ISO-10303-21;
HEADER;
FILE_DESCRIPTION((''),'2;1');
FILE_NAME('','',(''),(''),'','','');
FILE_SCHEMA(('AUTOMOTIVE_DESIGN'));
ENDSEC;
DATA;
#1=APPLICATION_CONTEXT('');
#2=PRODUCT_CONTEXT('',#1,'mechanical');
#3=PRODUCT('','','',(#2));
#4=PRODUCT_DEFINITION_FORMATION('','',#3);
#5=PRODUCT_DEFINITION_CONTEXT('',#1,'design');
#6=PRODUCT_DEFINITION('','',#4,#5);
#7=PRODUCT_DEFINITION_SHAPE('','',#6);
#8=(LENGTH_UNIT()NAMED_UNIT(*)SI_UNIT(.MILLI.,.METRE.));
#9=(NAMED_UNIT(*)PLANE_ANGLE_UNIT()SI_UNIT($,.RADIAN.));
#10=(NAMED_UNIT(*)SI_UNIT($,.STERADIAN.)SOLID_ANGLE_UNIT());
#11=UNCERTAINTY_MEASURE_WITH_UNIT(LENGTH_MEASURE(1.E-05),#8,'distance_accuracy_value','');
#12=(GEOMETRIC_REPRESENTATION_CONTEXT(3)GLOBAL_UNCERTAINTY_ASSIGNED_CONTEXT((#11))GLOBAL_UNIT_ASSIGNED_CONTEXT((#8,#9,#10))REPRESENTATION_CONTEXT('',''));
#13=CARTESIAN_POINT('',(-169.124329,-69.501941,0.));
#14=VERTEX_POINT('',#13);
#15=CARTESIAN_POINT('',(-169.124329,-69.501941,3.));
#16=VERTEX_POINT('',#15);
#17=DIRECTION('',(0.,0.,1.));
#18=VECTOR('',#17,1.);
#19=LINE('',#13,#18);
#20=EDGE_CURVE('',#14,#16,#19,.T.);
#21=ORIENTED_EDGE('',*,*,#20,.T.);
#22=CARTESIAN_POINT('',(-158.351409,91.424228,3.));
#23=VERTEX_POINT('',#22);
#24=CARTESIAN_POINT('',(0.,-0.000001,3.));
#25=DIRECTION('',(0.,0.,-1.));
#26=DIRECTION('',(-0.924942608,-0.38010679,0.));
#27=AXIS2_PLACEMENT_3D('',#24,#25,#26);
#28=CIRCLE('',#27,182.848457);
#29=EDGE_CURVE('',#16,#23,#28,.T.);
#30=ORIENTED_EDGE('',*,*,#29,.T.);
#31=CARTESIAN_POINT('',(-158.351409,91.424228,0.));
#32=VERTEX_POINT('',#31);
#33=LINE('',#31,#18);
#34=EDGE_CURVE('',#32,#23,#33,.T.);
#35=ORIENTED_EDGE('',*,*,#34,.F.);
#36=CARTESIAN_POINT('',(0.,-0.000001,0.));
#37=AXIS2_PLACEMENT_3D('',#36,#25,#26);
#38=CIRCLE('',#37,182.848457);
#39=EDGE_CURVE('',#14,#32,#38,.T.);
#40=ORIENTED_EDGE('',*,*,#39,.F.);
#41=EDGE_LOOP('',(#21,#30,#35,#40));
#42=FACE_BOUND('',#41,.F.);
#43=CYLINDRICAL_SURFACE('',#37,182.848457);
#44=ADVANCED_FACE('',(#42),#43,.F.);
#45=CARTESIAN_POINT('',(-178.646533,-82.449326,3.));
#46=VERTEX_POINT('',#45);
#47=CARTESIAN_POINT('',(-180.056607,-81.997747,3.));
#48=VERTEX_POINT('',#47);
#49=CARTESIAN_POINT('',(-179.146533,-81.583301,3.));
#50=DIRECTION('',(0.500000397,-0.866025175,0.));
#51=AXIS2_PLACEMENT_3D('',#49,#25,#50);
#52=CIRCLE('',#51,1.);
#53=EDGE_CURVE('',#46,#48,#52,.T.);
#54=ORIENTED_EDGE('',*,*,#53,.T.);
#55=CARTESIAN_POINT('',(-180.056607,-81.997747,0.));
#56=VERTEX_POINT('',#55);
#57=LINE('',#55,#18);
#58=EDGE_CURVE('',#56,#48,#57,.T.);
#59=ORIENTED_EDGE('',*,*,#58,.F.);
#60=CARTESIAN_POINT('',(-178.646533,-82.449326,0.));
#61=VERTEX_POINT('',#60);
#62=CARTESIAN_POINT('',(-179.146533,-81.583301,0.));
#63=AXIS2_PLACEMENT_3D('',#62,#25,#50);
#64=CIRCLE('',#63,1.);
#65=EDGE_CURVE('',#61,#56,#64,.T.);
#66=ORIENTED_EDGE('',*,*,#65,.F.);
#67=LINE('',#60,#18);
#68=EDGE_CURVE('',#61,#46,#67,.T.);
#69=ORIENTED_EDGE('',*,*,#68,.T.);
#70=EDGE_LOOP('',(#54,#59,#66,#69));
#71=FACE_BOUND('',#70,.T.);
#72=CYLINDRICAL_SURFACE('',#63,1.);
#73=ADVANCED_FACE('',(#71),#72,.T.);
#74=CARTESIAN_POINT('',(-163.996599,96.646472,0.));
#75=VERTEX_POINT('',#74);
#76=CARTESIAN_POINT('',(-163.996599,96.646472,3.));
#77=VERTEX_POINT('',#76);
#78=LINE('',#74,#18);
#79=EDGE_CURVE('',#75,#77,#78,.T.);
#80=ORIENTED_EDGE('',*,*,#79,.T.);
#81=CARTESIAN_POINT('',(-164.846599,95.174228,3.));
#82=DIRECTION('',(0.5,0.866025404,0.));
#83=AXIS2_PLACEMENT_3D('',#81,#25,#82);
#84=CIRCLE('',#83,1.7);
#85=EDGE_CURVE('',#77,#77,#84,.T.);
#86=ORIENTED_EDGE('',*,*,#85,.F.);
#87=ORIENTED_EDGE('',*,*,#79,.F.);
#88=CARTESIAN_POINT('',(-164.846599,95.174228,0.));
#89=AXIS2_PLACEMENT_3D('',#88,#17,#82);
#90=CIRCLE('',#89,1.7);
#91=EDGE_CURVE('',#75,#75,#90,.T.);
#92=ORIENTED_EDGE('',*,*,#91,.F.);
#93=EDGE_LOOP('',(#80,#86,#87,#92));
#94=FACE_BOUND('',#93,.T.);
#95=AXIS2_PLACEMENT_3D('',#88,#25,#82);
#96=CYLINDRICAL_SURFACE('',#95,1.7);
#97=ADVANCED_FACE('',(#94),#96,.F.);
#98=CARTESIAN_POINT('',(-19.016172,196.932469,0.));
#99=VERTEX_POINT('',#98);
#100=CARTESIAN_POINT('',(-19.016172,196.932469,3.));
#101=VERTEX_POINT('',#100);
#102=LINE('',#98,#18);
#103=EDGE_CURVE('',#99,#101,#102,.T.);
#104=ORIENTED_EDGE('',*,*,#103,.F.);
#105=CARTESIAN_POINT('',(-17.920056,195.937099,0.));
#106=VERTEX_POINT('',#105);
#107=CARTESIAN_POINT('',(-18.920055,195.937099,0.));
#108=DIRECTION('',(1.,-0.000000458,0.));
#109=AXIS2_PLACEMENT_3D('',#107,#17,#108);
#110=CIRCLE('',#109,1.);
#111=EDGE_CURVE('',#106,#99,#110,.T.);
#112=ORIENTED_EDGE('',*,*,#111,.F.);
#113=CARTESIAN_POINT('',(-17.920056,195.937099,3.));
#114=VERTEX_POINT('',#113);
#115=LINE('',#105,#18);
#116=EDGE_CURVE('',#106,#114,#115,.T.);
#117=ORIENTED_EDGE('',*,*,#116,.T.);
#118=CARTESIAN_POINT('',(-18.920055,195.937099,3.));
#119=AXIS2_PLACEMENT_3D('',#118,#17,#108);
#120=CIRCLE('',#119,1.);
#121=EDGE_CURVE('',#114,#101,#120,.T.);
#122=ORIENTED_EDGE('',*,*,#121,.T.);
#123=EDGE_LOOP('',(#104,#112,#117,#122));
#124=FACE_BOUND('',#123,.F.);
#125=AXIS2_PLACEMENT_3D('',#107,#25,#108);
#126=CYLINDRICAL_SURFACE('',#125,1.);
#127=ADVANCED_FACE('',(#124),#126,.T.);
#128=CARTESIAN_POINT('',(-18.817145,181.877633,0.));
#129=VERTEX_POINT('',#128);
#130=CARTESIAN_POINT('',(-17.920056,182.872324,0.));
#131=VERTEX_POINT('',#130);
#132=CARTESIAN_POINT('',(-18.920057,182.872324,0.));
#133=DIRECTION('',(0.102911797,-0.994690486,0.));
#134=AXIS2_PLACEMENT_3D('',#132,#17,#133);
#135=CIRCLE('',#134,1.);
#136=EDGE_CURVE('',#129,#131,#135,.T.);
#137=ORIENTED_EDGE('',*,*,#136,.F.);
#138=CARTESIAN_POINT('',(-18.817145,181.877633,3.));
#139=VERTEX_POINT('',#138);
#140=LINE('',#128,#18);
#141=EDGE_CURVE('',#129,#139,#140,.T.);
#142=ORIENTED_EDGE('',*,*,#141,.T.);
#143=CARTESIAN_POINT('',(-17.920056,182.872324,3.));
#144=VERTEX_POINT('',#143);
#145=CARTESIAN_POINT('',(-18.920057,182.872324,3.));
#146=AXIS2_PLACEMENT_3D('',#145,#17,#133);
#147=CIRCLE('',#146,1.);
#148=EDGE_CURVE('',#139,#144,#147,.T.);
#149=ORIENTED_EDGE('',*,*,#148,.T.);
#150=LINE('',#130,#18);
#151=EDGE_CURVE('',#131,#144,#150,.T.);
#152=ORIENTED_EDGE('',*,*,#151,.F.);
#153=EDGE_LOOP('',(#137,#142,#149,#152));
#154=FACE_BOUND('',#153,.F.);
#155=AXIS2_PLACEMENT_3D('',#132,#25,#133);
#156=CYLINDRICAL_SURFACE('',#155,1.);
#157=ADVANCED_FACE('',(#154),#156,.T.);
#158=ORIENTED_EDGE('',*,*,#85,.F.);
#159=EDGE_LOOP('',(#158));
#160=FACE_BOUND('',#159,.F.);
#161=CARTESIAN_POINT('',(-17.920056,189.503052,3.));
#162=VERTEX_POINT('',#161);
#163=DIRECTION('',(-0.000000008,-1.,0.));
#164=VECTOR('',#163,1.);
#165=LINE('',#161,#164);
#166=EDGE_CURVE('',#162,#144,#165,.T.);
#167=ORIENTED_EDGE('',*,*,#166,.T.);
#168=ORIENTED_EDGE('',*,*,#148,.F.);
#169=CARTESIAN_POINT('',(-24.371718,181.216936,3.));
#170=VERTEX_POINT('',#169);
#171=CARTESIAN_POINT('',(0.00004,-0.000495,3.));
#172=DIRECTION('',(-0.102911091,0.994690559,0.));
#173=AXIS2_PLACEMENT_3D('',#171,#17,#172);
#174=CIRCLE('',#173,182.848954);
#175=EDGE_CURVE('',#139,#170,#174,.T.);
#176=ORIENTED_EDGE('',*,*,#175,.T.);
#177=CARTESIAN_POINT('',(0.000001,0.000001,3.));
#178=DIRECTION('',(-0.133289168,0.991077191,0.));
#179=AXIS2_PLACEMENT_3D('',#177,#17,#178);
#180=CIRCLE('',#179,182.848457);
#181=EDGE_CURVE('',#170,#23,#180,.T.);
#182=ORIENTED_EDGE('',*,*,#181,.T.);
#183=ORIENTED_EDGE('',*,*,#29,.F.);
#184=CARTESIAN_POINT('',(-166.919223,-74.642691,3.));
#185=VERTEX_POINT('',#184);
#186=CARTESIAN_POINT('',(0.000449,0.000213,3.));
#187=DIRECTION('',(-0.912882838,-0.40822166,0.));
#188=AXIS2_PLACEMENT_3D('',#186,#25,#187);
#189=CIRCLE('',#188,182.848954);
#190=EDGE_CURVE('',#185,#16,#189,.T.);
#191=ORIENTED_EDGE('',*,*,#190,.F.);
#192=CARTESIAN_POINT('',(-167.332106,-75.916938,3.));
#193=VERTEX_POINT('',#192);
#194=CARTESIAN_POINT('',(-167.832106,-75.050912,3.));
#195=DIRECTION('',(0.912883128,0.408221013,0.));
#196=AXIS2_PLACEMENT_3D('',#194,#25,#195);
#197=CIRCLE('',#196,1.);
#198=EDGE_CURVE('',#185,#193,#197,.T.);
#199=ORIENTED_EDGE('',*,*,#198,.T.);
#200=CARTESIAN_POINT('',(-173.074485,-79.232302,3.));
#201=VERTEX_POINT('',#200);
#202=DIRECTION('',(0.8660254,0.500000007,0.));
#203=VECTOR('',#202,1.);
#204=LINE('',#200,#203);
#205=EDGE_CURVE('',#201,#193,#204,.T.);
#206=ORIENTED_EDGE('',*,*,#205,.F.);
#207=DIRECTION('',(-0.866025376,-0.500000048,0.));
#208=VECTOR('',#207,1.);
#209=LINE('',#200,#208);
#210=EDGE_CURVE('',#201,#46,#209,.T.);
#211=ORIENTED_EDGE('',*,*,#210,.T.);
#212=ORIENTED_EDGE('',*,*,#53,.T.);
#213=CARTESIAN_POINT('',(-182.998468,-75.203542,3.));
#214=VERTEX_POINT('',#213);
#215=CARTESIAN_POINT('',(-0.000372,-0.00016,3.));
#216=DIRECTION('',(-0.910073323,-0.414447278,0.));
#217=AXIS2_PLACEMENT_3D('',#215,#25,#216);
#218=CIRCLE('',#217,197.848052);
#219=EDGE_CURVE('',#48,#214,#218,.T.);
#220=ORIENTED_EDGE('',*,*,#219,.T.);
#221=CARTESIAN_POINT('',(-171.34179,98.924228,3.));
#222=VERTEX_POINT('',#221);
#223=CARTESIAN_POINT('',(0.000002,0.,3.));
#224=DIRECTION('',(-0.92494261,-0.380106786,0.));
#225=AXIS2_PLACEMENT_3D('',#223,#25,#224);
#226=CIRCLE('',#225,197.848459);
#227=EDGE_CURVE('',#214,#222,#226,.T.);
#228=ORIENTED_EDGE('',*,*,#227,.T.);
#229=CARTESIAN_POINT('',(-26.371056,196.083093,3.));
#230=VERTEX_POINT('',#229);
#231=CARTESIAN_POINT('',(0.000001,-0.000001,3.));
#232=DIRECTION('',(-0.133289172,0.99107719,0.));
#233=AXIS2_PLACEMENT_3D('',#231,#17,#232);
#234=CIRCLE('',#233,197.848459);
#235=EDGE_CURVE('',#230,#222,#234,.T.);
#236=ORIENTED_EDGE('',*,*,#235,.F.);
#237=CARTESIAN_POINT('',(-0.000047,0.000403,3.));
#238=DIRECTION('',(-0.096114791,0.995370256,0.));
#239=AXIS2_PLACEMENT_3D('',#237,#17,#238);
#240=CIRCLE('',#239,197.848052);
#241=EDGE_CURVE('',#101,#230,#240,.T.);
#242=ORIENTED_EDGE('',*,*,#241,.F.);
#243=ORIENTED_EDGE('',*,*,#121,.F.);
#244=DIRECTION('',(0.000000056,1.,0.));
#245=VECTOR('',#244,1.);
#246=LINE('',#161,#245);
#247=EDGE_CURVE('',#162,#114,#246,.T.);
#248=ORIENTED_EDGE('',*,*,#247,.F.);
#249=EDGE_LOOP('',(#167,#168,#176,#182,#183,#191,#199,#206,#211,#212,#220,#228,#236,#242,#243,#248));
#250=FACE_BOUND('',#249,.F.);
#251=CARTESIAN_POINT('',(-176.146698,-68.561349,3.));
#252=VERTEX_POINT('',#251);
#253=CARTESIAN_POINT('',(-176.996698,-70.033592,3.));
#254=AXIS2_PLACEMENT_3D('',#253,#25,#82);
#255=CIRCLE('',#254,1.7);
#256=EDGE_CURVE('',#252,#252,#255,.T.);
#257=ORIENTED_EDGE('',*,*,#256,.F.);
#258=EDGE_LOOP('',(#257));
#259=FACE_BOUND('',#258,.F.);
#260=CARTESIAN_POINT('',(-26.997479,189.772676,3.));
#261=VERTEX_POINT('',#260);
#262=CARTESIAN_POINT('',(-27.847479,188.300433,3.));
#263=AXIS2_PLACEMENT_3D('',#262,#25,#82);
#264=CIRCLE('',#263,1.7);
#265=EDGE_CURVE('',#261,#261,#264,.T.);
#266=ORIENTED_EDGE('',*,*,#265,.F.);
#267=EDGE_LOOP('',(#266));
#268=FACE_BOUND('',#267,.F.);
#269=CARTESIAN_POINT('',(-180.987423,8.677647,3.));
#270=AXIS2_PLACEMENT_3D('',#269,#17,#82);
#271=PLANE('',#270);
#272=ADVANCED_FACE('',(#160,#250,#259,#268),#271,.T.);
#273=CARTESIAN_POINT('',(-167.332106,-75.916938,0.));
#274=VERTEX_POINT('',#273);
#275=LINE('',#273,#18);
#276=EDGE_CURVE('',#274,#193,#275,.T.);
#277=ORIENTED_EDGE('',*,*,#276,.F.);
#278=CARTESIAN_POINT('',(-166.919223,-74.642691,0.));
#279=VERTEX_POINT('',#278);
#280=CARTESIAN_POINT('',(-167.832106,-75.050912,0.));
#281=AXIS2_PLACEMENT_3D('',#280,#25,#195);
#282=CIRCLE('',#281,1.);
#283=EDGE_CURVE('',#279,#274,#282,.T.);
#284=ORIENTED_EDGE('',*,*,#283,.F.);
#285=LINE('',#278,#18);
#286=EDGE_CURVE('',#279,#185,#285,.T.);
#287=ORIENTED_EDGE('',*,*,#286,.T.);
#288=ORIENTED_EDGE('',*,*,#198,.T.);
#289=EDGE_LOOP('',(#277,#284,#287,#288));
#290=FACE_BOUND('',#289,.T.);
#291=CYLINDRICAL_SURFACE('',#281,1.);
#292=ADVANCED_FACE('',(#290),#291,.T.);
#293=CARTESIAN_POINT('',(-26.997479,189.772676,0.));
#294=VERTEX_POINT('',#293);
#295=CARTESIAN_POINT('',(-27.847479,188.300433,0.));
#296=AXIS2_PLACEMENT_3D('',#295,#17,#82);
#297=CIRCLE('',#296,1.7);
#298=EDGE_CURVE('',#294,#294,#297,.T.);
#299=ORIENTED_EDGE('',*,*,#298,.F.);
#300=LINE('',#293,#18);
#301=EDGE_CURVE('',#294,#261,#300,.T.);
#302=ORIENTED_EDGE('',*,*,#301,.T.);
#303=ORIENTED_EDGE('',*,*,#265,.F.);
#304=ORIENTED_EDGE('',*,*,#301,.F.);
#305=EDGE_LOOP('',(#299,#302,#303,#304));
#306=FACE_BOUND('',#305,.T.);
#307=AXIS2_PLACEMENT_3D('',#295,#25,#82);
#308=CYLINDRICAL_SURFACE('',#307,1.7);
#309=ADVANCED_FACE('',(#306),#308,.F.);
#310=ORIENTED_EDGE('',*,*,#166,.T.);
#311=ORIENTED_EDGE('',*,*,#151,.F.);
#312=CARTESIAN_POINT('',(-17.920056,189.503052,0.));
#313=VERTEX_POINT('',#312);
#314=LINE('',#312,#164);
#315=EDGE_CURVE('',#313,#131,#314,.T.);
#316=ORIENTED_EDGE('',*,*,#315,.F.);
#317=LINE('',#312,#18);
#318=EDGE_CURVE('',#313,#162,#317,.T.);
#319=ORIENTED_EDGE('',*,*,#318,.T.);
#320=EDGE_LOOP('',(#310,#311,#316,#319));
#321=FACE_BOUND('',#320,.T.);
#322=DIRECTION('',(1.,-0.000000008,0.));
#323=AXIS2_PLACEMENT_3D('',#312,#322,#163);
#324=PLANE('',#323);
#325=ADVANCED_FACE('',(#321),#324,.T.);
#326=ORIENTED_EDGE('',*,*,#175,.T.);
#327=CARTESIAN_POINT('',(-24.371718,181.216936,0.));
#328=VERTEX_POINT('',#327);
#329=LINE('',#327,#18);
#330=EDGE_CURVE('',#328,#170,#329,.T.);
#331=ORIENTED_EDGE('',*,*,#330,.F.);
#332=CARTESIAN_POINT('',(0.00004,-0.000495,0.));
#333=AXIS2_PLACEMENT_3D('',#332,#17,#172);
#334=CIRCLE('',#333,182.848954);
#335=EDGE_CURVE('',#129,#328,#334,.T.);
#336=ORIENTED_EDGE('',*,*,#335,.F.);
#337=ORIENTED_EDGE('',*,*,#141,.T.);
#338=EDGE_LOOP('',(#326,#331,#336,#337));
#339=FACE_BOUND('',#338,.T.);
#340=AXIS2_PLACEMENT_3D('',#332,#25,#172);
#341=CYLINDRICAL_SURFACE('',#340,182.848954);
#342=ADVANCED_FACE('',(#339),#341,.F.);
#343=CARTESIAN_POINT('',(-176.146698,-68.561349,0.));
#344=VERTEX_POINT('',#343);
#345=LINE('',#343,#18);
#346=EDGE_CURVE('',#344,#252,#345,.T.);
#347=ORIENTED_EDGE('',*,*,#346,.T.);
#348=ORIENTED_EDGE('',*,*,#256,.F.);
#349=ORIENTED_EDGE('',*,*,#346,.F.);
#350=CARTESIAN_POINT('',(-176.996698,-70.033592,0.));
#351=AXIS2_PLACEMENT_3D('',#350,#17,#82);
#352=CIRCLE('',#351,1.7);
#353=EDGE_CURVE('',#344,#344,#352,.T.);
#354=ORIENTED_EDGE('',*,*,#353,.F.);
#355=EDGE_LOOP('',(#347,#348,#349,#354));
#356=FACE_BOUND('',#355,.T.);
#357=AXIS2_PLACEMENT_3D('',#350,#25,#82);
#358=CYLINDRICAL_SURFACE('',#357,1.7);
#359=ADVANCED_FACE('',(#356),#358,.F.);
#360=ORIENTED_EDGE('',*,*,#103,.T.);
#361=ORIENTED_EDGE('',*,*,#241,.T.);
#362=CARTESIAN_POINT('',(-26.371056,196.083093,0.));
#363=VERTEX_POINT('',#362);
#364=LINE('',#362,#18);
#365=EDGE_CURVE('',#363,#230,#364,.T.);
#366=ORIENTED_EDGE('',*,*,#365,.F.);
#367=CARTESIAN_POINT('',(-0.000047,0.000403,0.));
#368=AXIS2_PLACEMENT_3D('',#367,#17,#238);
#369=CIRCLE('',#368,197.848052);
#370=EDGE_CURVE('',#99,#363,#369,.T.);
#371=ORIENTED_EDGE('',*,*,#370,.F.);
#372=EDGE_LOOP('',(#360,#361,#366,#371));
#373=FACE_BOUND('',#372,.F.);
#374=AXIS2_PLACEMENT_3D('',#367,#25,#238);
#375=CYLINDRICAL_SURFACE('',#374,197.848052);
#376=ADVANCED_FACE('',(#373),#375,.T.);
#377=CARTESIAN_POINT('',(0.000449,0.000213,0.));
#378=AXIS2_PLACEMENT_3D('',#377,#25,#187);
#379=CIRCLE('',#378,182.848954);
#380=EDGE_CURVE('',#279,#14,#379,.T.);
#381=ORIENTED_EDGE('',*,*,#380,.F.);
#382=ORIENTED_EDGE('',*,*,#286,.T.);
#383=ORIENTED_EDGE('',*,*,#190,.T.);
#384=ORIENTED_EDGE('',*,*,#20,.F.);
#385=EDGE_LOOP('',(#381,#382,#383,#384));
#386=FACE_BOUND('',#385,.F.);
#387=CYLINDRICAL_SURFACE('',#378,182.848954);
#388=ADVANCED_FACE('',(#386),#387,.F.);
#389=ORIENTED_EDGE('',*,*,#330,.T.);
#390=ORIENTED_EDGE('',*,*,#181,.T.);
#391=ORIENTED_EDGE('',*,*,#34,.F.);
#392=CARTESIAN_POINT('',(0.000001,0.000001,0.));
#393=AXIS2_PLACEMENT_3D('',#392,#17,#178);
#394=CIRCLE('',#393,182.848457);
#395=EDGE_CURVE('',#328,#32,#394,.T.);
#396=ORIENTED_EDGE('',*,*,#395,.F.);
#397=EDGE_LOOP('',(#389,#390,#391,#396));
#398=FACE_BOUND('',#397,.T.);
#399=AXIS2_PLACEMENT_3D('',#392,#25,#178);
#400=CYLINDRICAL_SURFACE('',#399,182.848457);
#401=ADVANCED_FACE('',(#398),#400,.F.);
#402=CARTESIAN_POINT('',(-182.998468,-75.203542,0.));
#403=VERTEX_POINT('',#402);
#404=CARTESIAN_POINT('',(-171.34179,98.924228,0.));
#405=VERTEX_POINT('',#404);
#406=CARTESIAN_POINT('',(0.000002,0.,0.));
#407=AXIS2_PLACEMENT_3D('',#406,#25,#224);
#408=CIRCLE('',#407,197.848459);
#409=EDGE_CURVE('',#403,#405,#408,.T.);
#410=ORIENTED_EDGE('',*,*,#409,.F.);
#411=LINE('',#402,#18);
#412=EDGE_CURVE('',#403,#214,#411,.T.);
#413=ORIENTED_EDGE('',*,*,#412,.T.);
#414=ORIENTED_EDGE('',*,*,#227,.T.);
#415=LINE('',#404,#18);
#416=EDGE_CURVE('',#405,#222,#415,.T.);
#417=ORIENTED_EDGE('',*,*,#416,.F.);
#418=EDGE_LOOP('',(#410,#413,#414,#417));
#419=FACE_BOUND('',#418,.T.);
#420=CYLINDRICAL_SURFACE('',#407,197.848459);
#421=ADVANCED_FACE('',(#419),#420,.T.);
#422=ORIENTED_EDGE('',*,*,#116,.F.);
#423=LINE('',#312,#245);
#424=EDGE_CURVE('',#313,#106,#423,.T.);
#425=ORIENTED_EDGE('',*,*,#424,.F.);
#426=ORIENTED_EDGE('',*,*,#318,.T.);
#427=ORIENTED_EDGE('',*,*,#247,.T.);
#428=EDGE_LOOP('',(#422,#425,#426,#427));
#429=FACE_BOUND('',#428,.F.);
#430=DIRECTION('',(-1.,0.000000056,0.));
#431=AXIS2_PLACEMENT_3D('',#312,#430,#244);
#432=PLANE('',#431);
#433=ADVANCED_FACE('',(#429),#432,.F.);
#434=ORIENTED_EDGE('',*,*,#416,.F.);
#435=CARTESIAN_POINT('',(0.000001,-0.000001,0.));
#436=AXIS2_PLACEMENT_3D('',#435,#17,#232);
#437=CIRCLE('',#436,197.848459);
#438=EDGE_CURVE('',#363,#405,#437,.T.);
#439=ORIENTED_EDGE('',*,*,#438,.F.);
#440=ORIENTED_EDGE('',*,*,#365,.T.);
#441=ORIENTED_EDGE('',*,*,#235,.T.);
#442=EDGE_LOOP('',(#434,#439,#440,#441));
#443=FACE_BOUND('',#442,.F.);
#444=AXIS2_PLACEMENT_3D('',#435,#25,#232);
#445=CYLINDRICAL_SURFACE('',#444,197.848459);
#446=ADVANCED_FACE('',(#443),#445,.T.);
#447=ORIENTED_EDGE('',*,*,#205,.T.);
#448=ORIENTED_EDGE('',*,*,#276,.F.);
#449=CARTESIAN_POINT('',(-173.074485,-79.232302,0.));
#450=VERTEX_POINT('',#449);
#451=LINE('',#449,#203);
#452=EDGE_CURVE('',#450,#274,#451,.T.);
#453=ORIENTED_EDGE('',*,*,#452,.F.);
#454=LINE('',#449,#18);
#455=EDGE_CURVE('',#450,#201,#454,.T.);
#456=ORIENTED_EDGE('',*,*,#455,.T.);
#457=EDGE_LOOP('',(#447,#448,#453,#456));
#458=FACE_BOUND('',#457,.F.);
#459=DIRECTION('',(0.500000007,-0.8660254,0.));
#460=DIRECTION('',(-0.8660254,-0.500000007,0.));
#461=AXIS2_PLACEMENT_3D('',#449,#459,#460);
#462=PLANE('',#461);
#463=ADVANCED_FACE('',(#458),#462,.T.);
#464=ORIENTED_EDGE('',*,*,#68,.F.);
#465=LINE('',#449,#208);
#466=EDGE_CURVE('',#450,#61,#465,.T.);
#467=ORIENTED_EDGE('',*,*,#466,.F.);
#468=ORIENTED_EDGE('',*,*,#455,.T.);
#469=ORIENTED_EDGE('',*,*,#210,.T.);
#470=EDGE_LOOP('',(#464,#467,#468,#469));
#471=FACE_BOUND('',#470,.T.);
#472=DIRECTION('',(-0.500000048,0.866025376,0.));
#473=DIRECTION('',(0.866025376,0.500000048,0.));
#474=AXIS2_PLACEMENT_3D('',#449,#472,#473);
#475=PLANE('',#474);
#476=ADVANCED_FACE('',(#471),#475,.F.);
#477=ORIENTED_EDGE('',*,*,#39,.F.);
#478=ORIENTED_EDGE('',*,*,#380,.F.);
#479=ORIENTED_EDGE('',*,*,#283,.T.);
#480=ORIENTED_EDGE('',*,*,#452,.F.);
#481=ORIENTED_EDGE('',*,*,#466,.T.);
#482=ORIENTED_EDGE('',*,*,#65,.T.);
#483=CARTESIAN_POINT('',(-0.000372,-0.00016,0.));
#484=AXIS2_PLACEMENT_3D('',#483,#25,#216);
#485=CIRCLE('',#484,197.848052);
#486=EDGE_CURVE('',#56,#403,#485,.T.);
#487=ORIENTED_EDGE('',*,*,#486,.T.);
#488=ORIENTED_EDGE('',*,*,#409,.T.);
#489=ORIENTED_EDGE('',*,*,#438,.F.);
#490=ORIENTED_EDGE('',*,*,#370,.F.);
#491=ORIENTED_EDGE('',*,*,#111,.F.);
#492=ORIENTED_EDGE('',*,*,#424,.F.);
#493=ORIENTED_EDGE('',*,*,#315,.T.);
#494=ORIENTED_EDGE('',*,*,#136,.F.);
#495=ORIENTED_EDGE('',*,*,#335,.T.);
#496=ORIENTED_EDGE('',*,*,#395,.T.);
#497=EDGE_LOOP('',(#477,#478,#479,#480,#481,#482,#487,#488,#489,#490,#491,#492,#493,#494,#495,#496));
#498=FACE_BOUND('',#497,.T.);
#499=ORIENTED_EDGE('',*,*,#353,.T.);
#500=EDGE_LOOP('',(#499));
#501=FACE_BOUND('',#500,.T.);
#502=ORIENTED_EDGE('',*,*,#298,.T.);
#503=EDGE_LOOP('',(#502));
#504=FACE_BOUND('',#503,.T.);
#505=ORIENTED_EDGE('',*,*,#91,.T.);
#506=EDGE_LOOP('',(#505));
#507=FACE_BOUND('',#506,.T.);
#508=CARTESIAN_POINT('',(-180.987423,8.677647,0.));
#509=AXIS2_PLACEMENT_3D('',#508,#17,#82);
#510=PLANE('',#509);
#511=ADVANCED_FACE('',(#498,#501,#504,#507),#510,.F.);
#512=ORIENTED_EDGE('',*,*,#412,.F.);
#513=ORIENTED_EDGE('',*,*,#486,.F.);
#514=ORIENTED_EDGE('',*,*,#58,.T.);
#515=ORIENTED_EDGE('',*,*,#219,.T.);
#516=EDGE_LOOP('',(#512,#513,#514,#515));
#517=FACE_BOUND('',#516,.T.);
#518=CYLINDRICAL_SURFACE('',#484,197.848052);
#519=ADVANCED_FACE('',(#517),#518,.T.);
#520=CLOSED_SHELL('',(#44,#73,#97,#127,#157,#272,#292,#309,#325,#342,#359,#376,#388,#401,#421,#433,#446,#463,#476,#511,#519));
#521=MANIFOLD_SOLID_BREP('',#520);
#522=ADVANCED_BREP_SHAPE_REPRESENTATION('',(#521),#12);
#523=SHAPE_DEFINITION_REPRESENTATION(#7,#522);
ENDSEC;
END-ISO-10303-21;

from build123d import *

# Parameters (mm, degrees)
PAD021_DEPTH                        = 3
SKETCH083_R                         = 1.7
POCKET041_DEPTH                     = 0.001
POCKET041_DEPTH_BACK                = 3.001
SKETCH084_R                         = 1.7
POCKET042_DEPTH                     = 0.001
POCKET042_DEPTH_BACK                = 3.001
BODY001003005003013_PLACEMENT_ANGLE = 60


with BuildPart() as part:
    # Sketch082 → Pad021 (new body)
    with BuildSketch(Plane.XY):
        with BuildLine():
            ThreePointArc((156.627412, 120.879551), (87.258751, 177.56667), (0, 197.848457))
            Line((0, 197.848457), (0, 182.848457))
            ThreePointArc((144.752611, 111.714995), (80.643177, 164.104346), (0, 182.848457))
            ThreePointArc((148.102078, 107.234942), (146.444477, 109.487778), (144.752611, 111.714995))
            ThreePointArc((148.102078, 107.234942), (148.703343, 106.843433), (149.41205, 106.955386))
            Line((155.154429, 110.27075), (149.41205, 106.955386))
            Line((155.154429, 110.27075), (160.726477, 113.487773))
            ThreePointArc((160.726477, 113.487773), (161.203737, 114.141753), (161.040435, 114.934722))
            ThreePointArc((161.040435, 114.934722), (158.861734, 117.927781), (156.627412, 120.879551))
        make_face()
    pad021 = extrude(amount=PAD021_DEPTH)

    # Mirrored029: Pad021 across Sketch082 V_Axis
    add(pad021.mirror(Plane(origin=(0, 0, 0), x_dir=(0, 0, 1), z_dir=(1, 0, 0))))

    # Sketch083 → Pocket041 (cut, two sides)
    with BuildSketch(Plane.XY) as pocket041_sk:
        with Locations((149.149219, 118.266841)):
            Circle(SKETCH083_R)
        with Locations((-149.149219, 118.266841)):
            Circle(SKETCH083_R)
    extrude(amount=-POCKET041_DEPTH, mode=Mode.SUBTRACT)
    extrude(pocket041_sk.sketch, amount=POCKET041_DEPTH_BACK, mode=Mode.SUBTRACT)

    # Sketch084 → Pocket042 (cut, two sides)
    with BuildSketch(Plane.XY) as pocket042_sk:
        with Locations((0, 190.348457)):
            Circle(SKETCH084_R)
    extrude(amount=-POCKET042_DEPTH, mode=Mode.SUBTRACT)
    extrude(pocket042_sk.sketch, amount=POCKET042_DEPTH_BACK, mode=Mode.SUBTRACT)


with BuildPart() as part_1:
    # Body001003005003013 placement: moved
    add(part.part.rotate(Axis((0, 0, 0), (0, 0, 1)), BODY001003005003013_PLACEMENT_ANGLE))


solid = part_1.part
